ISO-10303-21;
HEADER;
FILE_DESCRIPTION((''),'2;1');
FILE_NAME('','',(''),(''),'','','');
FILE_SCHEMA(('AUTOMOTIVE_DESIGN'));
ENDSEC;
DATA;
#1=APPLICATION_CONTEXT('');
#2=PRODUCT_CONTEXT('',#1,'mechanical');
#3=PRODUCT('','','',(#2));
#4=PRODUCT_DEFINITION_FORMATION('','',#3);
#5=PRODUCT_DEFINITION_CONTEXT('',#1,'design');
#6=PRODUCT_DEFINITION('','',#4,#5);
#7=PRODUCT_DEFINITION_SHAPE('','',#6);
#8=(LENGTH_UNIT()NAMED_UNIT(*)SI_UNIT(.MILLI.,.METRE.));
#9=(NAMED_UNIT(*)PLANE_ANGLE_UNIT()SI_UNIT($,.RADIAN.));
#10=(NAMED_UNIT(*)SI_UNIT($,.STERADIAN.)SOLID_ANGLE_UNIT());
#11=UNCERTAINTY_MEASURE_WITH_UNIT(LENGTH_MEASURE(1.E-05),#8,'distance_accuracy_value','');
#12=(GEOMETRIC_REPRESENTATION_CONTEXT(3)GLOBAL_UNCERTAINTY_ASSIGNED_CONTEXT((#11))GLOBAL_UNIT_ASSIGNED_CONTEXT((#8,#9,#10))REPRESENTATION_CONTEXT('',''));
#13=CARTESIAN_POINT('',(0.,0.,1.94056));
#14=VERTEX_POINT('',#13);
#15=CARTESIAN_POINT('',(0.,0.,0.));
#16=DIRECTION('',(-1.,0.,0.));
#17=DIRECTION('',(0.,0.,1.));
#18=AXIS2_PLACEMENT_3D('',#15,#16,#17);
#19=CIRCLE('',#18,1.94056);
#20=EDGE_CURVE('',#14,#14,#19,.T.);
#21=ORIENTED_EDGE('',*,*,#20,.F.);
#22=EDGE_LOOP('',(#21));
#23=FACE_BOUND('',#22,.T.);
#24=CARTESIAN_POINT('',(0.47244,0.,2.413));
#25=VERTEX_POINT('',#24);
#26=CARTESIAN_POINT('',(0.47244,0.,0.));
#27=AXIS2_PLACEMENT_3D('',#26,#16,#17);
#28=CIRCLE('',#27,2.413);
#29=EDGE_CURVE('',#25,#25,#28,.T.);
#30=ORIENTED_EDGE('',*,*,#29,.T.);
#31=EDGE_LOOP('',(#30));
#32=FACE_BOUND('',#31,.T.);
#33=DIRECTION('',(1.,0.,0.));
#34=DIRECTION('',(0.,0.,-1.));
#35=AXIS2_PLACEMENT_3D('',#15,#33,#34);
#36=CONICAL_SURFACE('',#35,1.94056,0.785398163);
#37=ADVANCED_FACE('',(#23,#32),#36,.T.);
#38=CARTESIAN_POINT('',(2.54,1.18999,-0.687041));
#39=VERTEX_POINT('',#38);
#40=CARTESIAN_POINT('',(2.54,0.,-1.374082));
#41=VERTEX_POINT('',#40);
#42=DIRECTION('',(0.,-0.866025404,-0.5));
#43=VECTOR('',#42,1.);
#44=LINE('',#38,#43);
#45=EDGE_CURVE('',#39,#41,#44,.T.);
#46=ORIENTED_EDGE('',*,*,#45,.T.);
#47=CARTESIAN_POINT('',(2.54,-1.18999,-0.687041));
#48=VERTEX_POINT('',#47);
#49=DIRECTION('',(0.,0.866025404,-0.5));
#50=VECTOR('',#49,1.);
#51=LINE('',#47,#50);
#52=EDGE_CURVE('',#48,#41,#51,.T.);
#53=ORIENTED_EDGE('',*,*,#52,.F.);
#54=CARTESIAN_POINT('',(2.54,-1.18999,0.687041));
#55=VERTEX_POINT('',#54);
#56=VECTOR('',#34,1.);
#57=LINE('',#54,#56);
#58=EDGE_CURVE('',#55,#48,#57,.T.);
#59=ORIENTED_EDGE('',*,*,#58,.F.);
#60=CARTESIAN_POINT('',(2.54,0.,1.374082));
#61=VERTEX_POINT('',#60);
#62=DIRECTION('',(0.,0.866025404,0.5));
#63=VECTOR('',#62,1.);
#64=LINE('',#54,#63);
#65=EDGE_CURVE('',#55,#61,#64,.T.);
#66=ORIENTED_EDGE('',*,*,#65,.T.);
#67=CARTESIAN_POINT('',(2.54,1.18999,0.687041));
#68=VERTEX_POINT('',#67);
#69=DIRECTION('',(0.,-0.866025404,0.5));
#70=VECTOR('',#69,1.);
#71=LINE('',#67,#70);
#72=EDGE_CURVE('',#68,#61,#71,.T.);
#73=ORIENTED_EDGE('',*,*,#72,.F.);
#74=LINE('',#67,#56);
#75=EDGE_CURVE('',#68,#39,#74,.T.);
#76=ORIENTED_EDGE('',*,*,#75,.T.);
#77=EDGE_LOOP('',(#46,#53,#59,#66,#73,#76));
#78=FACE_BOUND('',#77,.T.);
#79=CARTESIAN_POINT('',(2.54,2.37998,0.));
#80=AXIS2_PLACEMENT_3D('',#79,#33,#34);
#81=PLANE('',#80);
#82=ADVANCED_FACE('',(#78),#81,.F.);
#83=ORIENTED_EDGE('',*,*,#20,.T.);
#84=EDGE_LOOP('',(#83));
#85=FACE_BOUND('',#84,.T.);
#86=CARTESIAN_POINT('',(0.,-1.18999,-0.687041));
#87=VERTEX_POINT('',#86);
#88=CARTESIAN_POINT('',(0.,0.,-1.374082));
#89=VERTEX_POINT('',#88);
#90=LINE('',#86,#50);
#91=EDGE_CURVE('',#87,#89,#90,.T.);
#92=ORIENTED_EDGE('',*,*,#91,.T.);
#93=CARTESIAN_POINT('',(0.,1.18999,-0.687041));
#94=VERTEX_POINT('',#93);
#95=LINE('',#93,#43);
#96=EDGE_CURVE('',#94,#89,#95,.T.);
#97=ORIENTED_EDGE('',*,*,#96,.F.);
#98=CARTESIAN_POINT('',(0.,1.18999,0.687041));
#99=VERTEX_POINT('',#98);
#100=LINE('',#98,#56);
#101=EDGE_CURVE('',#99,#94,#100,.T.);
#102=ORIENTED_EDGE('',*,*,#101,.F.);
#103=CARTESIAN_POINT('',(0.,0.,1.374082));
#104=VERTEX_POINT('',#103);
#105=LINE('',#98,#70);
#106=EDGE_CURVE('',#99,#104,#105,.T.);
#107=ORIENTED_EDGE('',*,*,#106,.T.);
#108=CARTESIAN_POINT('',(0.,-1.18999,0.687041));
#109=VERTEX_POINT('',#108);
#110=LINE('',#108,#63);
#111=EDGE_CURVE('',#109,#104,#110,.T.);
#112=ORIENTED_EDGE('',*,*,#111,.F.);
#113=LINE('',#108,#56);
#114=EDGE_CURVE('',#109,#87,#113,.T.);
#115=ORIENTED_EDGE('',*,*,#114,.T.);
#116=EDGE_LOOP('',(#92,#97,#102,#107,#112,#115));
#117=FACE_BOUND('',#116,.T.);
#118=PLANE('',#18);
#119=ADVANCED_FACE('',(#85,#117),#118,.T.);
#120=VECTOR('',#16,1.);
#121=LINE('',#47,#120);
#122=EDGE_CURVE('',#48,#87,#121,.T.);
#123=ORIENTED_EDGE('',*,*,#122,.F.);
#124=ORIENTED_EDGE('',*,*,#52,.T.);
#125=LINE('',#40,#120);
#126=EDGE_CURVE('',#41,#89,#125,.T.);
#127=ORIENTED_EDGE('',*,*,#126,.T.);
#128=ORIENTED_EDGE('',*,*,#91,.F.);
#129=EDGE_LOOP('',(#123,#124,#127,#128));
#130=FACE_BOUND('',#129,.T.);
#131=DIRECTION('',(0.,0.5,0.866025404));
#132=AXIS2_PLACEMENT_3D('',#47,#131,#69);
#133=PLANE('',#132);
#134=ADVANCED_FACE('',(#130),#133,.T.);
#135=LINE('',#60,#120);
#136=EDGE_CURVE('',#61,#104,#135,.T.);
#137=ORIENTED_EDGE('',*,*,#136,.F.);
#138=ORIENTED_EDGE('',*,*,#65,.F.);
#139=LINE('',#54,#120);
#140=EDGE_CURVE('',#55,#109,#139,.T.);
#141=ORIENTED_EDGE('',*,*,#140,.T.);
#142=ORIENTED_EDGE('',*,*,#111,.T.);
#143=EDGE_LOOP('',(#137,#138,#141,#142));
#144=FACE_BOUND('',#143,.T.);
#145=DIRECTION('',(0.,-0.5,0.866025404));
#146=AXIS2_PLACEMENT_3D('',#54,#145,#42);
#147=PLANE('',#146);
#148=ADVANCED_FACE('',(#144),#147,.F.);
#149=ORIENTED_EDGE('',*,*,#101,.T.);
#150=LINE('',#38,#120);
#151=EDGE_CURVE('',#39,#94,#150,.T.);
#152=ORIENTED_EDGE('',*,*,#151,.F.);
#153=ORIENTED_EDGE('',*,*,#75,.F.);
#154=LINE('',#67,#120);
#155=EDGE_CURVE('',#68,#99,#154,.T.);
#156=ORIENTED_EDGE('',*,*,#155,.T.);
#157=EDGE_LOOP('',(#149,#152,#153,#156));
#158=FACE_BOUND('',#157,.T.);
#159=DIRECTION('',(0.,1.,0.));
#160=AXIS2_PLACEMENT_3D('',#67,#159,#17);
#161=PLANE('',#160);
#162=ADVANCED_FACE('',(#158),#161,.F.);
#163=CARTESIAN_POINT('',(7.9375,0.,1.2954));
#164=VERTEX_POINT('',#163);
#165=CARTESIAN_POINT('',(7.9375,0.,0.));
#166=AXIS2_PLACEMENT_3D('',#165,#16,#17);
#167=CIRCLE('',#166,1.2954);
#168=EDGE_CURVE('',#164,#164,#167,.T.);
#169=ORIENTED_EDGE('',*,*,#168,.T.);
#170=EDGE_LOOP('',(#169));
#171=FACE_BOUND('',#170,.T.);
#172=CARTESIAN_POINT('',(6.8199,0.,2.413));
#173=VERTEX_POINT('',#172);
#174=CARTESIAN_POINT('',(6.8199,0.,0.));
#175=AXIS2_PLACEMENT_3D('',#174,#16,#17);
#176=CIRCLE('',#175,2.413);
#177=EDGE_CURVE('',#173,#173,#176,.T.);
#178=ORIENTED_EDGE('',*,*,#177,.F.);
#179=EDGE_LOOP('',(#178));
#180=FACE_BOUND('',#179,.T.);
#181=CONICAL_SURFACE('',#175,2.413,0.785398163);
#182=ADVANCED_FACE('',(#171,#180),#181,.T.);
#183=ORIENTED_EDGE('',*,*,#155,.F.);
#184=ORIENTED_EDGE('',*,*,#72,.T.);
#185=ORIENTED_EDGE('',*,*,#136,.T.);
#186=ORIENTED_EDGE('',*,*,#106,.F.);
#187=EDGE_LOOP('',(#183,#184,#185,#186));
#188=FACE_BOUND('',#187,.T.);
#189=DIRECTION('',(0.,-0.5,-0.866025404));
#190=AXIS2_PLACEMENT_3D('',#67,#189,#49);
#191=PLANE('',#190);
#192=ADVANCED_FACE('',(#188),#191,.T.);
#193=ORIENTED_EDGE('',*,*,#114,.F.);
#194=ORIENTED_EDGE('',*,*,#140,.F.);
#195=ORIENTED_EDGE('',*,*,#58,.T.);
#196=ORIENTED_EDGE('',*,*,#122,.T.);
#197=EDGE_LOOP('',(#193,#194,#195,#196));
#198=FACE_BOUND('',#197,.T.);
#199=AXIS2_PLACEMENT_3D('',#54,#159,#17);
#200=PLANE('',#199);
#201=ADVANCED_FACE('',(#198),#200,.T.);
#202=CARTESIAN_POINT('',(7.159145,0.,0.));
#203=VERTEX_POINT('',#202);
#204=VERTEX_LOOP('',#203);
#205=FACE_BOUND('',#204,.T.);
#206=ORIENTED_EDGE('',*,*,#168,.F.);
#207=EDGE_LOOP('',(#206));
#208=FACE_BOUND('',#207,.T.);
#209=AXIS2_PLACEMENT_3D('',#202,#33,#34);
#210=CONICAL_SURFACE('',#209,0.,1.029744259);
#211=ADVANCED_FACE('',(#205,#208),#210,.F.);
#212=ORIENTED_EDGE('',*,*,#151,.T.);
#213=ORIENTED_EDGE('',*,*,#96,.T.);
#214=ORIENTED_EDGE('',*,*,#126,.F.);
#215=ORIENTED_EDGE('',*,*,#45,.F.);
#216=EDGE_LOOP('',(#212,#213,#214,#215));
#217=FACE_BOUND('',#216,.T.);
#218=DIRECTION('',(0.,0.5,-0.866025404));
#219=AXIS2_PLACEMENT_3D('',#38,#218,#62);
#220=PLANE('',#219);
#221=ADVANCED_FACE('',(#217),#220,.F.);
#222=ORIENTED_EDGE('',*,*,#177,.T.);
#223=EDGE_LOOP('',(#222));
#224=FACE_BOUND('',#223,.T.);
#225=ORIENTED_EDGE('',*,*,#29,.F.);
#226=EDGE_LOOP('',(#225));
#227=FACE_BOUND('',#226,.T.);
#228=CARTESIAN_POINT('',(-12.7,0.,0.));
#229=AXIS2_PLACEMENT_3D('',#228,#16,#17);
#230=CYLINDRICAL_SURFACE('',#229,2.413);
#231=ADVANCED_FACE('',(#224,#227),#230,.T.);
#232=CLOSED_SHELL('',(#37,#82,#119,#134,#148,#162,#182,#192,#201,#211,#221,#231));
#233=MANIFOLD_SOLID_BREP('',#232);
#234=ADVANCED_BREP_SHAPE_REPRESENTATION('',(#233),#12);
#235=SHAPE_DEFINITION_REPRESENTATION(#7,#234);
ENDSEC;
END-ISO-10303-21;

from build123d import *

# Parameters (mm, degrees)
HEX_2_DEPTH = 2.54


with BuildPart() as part:
    # BodySke → BaseBody (revolve)
    with BuildSketch(Plane.XY):
        Polygon((0, 0), (0, 1.94056), (0.47244, 2.413), (6.8199, 2.413), (7.9375, 1.2954), (7.159145154, 0), align=None)
    revolve(axis=Axis((-12.7, 0, 0), (1, 0, 0)))

    # Sketch2 → Hex 2 (cut)
    with BuildSketch(Plane.ZY):
        Polygon((0.687041047, 1.18999), (-0.687041047, 1.18999), (-1.374082094, 0), (-0.687041047, -1.18999), (0.687041047, -1.18999), (1.374082094, 0), align=None)
    extrude(amount=-HEX_2_DEPTH, mode=Mode.SUBTRACT)


solid = part.part
